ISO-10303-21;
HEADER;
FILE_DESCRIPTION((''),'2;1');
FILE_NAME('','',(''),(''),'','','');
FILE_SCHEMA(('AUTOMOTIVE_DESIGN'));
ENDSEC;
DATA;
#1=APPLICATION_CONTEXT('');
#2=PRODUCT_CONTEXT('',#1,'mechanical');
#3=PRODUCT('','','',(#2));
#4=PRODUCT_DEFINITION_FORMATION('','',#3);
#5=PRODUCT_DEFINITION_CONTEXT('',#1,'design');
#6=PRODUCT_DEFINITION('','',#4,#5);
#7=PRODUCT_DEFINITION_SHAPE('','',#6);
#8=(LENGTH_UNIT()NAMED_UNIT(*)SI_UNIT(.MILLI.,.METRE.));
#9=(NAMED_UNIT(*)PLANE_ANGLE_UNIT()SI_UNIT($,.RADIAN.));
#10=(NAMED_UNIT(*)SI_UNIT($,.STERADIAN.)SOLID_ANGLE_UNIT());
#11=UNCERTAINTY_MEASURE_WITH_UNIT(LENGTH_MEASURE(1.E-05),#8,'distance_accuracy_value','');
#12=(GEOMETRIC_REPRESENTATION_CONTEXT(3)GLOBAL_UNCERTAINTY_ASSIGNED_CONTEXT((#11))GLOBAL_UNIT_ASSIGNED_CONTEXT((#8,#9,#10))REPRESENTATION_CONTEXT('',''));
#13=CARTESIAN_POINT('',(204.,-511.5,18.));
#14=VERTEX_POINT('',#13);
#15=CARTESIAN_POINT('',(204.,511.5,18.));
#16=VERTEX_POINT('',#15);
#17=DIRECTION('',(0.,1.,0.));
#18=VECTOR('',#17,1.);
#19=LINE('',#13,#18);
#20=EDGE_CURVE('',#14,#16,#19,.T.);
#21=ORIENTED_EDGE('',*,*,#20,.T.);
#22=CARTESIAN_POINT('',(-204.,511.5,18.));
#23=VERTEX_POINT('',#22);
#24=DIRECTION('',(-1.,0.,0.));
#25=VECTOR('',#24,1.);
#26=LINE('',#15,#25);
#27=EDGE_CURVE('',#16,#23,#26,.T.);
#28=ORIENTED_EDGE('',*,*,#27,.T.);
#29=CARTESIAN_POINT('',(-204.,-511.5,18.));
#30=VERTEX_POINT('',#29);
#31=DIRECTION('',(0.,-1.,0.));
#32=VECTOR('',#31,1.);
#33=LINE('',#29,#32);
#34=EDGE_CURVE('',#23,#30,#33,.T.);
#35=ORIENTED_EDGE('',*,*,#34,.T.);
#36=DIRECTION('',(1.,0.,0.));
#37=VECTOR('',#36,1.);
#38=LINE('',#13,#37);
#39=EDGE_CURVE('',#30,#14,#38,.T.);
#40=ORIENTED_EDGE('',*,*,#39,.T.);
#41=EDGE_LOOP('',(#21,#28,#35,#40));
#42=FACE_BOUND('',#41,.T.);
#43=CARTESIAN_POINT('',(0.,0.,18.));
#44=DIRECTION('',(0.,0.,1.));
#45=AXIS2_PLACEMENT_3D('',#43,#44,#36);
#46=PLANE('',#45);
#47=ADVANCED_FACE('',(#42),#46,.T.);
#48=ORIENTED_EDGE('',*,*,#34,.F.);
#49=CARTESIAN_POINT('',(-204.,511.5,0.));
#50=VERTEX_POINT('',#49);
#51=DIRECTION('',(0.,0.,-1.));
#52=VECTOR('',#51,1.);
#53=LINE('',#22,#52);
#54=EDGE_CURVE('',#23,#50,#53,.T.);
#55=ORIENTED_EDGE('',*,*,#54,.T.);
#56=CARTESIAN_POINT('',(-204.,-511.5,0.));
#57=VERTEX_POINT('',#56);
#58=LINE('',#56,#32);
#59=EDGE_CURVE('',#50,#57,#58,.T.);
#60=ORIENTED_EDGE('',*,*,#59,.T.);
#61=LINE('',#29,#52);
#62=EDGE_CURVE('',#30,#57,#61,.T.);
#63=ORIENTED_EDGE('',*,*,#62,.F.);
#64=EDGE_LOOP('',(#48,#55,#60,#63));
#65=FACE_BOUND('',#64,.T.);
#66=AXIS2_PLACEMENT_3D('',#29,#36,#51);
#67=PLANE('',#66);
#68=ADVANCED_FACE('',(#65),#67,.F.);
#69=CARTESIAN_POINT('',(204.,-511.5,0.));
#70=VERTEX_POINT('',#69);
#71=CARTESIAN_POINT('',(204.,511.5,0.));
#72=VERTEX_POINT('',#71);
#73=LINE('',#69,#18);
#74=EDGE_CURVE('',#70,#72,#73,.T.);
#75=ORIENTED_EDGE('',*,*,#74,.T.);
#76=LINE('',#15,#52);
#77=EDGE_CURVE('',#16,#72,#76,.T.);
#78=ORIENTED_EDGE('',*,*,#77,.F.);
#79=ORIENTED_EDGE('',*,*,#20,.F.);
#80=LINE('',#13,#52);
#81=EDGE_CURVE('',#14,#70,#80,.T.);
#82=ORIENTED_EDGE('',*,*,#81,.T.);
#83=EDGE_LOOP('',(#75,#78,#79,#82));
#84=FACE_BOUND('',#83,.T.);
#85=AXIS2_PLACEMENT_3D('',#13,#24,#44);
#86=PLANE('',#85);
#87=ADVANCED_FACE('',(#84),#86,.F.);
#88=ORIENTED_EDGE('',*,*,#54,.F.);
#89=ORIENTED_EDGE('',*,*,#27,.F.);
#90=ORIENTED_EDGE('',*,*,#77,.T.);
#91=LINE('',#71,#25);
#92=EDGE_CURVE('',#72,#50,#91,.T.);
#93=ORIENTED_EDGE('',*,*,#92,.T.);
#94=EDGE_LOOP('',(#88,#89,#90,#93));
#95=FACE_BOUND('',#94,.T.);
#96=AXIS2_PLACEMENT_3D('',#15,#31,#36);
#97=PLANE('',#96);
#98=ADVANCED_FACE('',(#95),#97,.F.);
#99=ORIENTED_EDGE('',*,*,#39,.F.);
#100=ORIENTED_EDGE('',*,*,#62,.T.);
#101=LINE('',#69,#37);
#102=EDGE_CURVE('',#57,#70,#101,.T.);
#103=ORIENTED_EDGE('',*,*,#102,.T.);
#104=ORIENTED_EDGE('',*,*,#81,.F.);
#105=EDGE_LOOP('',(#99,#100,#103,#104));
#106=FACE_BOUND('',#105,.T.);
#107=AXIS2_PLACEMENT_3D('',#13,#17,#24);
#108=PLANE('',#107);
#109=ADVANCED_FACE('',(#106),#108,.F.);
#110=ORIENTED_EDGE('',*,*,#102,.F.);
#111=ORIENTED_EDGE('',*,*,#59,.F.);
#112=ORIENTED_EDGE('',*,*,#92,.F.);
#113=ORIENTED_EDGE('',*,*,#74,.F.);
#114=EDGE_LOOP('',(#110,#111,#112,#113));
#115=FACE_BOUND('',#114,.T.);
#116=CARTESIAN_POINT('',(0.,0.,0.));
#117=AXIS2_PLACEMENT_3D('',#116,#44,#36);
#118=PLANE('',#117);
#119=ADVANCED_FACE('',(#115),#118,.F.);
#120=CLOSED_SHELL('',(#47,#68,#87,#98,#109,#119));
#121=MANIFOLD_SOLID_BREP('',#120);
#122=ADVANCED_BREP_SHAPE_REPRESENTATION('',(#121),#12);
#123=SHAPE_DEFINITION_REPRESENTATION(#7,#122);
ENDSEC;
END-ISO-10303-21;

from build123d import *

# Parameters (mm, degrees)
SKETCH1_W           = 408
SKETCH1_H           = 1023
BOSS_EXTRUDE1_DEPTH = 18


with BuildPart() as part:
    # Sketch1 → Boss-Extrude1 (new body)
    with BuildSketch(Plane.XY):
        Rectangle(SKETCH1_W, SKETCH1_H)
    extrude(amount=BOSS_EXTRUDE1_DEPTH)


solid = part.part
